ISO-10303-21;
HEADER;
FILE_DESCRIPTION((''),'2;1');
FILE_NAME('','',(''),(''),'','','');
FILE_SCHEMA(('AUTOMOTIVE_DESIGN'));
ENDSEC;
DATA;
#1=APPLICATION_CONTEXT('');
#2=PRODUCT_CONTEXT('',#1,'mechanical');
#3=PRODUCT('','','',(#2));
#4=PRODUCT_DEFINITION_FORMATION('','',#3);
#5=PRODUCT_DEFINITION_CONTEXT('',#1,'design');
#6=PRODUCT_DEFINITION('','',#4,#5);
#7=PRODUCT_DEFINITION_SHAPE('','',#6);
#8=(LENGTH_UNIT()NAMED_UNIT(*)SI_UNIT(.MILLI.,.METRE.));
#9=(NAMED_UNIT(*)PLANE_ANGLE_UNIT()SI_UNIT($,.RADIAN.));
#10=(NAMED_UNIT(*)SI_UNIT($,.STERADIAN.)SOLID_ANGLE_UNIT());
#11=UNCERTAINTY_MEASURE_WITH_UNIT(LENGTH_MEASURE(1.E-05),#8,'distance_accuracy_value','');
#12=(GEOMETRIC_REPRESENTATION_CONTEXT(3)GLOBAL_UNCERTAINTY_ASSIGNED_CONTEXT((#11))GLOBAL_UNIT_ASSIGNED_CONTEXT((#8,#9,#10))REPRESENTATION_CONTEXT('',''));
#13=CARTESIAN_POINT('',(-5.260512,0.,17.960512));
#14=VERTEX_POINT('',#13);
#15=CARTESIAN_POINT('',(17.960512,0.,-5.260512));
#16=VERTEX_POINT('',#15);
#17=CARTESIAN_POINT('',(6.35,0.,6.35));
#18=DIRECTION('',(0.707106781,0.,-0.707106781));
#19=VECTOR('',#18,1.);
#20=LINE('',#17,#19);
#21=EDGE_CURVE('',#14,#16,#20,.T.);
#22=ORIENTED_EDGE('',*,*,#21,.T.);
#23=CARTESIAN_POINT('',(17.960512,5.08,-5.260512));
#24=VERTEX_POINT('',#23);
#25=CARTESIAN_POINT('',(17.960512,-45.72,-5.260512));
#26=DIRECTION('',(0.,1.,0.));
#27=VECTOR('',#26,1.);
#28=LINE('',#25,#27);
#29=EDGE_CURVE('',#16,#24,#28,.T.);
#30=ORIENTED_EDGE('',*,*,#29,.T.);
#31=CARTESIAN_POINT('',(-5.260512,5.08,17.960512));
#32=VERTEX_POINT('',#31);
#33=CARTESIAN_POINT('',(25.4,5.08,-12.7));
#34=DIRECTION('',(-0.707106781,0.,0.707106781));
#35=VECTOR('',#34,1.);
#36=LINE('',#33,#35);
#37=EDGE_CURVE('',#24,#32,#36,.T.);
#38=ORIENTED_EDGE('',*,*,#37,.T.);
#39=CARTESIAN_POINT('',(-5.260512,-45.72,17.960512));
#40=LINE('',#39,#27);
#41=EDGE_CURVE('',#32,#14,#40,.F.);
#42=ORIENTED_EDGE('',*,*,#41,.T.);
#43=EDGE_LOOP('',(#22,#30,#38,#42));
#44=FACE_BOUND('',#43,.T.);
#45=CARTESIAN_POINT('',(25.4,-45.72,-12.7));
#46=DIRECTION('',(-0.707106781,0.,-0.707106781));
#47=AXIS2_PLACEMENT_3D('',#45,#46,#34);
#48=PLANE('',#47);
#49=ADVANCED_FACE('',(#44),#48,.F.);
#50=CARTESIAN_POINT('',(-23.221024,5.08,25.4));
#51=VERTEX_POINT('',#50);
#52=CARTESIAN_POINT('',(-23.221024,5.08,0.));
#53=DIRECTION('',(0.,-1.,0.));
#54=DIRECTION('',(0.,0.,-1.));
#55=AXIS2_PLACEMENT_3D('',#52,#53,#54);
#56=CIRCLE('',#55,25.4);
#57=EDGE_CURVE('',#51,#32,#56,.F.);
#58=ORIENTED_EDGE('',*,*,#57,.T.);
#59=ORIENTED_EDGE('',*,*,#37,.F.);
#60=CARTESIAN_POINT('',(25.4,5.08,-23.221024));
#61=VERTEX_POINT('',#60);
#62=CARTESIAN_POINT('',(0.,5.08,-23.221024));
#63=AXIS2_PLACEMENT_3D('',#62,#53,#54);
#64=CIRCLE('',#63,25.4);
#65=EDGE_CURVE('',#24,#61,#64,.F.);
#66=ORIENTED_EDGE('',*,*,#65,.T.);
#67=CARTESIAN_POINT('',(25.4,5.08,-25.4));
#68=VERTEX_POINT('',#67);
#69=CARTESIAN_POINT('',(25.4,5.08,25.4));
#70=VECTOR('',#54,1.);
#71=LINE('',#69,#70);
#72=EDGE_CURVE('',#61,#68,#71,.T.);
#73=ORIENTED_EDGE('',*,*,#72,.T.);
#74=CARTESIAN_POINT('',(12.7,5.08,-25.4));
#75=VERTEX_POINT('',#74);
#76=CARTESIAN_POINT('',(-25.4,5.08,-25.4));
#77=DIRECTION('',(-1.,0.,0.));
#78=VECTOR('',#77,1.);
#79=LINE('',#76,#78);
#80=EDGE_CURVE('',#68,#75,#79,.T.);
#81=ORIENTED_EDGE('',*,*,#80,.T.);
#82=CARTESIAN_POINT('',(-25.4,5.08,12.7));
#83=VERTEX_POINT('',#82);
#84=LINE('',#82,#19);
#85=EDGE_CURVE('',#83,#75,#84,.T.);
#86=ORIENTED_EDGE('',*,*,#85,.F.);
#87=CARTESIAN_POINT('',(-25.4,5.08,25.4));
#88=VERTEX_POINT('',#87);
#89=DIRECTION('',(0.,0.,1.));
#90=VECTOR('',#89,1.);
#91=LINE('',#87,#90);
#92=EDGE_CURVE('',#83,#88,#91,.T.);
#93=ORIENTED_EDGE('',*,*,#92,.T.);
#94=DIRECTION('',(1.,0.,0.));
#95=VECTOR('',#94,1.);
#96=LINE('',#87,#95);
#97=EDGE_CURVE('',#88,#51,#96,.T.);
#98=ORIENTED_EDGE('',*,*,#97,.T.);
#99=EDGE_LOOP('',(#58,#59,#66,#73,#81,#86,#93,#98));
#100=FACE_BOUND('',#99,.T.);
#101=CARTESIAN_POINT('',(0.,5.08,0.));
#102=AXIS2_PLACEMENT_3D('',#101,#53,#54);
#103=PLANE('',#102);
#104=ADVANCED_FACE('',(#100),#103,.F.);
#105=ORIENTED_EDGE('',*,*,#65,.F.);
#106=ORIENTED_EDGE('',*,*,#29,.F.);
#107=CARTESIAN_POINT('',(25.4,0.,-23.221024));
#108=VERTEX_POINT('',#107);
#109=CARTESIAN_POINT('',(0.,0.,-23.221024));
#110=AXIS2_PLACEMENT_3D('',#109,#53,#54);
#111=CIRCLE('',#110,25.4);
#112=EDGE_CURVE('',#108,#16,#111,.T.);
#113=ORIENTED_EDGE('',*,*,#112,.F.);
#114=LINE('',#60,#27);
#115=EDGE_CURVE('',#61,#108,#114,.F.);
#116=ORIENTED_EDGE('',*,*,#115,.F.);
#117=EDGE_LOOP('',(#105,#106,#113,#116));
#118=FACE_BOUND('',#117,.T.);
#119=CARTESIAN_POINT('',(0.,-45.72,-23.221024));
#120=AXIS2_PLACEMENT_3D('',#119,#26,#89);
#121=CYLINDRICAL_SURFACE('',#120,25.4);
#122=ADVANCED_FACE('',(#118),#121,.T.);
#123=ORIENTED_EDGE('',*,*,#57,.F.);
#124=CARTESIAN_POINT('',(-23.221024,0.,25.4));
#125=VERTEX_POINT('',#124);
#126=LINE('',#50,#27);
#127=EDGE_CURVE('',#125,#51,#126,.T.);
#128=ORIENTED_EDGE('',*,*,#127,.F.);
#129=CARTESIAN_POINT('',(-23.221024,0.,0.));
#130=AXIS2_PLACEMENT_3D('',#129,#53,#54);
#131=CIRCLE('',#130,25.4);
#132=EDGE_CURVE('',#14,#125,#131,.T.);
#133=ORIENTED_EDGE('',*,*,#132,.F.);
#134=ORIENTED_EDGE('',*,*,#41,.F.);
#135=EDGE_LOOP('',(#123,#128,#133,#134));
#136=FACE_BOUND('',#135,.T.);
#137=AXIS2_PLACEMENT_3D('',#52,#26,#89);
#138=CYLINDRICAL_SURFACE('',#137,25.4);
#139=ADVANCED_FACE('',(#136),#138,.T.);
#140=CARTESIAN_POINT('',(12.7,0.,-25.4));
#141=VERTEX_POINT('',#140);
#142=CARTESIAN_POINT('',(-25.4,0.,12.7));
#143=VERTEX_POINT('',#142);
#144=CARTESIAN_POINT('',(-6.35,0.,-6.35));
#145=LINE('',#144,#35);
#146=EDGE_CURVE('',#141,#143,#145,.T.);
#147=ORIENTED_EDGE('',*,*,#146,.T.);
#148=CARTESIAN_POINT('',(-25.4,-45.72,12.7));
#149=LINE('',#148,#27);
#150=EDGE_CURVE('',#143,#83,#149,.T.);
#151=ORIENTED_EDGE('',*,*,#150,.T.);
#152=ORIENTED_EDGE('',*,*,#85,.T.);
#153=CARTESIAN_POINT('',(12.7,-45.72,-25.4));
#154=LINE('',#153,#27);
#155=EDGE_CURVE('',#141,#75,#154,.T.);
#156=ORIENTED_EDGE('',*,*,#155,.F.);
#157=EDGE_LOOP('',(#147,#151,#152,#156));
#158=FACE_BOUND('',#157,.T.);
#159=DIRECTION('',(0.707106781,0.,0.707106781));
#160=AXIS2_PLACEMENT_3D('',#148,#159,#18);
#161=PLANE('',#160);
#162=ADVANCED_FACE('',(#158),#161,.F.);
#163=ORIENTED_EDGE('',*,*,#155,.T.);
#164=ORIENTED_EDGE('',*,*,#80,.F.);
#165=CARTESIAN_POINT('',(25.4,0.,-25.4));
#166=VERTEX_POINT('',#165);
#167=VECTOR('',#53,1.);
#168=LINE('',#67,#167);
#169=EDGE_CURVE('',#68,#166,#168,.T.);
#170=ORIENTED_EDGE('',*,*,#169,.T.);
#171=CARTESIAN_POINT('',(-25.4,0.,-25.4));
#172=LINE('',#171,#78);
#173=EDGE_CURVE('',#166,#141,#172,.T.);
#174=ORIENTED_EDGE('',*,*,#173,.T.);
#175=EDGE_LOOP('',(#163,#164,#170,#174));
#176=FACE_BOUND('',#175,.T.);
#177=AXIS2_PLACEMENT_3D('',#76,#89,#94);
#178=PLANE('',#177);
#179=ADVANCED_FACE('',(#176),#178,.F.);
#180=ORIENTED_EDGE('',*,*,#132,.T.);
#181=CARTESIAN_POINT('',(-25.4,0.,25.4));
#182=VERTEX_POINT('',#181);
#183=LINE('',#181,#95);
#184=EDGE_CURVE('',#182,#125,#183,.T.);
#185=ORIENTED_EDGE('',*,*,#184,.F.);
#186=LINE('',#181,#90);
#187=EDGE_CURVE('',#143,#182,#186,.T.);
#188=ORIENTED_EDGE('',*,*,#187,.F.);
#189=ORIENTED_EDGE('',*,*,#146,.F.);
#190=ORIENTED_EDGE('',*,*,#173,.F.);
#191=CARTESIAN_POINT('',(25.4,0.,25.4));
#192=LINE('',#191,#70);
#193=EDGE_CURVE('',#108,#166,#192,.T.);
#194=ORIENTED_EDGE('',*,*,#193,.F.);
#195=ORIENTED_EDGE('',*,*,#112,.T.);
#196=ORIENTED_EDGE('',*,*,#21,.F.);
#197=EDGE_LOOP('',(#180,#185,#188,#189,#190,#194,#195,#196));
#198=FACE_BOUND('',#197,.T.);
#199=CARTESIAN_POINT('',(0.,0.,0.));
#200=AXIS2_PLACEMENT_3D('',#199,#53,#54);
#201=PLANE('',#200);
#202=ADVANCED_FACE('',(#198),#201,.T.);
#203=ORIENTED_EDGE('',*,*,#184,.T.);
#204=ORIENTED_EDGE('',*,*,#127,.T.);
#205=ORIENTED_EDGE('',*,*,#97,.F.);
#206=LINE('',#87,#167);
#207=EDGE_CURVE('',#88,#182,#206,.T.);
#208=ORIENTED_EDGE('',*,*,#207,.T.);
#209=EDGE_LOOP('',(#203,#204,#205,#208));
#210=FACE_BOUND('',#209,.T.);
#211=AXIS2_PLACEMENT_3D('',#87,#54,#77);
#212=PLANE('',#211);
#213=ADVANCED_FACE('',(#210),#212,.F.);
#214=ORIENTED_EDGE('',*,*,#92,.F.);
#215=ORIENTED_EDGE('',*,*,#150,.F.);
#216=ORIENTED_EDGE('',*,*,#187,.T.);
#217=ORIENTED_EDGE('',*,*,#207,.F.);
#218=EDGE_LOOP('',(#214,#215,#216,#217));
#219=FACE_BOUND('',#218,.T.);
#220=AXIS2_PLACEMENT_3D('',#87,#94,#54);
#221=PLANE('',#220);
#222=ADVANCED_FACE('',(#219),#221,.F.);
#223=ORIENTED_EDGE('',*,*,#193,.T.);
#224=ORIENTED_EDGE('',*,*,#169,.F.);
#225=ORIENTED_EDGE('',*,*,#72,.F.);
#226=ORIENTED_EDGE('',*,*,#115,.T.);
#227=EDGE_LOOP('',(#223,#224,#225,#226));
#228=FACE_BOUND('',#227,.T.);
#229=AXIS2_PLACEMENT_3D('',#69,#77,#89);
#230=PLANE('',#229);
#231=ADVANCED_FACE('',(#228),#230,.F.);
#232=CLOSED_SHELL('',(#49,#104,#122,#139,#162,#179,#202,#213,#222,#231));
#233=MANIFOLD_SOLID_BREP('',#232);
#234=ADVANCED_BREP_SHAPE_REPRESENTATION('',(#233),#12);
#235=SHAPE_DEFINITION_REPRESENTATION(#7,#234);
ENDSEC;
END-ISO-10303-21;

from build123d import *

# Parameters (mm, degrees)
SKETCH1_W           = 50.8
SKETCH1_H           = 50.8
BOSS_EXTRUDE1_DEPTH = 5.08
CUT_EXTRUDE1_DEPTH  = 50.8
FILLET1_R           = 25.4


with BuildPart() as part:
    # Sketch1 → Boss-Extrude1 (new body)
    with BuildSketch(Plane(origin=(0, 0, 0), x_dir=(1, 0, 0), z_dir=(0, 1, 0))):
        Rectangle(SKETCH1_W, SKETCH1_H)
    extrude(amount=BOSS_EXTRUDE1_DEPTH)

    # Sketch6 → Cut-Extrude1 (cut)
    with BuildSketch(Plane(origin=(0, 5.08, 0), x_dir=(1, 0, 0), z_dir=(0, 1, 0))):
        Polygon((-25.4, -12.7), (-25.4, 25.4), (12.7, 25.4), align=None)
        Polygon((25.4, 12.7), (25.4, -25.4), (-12.7, -25.4), align=None)
    extrude(amount=-CUT_EXTRUDE1_DEPTH, mode=Mode.SUBTRACT)

    # Fillet1
    fillet1_edges = [part.edges().sort_by_distance(p)[0] for p in [
        (-12.7, 2.54, 25.4),
        (25.4, 2.54, -12.7),
    ]]
    fillet(fillet1_edges, radius=FILLET1_R)


solid = part.part
